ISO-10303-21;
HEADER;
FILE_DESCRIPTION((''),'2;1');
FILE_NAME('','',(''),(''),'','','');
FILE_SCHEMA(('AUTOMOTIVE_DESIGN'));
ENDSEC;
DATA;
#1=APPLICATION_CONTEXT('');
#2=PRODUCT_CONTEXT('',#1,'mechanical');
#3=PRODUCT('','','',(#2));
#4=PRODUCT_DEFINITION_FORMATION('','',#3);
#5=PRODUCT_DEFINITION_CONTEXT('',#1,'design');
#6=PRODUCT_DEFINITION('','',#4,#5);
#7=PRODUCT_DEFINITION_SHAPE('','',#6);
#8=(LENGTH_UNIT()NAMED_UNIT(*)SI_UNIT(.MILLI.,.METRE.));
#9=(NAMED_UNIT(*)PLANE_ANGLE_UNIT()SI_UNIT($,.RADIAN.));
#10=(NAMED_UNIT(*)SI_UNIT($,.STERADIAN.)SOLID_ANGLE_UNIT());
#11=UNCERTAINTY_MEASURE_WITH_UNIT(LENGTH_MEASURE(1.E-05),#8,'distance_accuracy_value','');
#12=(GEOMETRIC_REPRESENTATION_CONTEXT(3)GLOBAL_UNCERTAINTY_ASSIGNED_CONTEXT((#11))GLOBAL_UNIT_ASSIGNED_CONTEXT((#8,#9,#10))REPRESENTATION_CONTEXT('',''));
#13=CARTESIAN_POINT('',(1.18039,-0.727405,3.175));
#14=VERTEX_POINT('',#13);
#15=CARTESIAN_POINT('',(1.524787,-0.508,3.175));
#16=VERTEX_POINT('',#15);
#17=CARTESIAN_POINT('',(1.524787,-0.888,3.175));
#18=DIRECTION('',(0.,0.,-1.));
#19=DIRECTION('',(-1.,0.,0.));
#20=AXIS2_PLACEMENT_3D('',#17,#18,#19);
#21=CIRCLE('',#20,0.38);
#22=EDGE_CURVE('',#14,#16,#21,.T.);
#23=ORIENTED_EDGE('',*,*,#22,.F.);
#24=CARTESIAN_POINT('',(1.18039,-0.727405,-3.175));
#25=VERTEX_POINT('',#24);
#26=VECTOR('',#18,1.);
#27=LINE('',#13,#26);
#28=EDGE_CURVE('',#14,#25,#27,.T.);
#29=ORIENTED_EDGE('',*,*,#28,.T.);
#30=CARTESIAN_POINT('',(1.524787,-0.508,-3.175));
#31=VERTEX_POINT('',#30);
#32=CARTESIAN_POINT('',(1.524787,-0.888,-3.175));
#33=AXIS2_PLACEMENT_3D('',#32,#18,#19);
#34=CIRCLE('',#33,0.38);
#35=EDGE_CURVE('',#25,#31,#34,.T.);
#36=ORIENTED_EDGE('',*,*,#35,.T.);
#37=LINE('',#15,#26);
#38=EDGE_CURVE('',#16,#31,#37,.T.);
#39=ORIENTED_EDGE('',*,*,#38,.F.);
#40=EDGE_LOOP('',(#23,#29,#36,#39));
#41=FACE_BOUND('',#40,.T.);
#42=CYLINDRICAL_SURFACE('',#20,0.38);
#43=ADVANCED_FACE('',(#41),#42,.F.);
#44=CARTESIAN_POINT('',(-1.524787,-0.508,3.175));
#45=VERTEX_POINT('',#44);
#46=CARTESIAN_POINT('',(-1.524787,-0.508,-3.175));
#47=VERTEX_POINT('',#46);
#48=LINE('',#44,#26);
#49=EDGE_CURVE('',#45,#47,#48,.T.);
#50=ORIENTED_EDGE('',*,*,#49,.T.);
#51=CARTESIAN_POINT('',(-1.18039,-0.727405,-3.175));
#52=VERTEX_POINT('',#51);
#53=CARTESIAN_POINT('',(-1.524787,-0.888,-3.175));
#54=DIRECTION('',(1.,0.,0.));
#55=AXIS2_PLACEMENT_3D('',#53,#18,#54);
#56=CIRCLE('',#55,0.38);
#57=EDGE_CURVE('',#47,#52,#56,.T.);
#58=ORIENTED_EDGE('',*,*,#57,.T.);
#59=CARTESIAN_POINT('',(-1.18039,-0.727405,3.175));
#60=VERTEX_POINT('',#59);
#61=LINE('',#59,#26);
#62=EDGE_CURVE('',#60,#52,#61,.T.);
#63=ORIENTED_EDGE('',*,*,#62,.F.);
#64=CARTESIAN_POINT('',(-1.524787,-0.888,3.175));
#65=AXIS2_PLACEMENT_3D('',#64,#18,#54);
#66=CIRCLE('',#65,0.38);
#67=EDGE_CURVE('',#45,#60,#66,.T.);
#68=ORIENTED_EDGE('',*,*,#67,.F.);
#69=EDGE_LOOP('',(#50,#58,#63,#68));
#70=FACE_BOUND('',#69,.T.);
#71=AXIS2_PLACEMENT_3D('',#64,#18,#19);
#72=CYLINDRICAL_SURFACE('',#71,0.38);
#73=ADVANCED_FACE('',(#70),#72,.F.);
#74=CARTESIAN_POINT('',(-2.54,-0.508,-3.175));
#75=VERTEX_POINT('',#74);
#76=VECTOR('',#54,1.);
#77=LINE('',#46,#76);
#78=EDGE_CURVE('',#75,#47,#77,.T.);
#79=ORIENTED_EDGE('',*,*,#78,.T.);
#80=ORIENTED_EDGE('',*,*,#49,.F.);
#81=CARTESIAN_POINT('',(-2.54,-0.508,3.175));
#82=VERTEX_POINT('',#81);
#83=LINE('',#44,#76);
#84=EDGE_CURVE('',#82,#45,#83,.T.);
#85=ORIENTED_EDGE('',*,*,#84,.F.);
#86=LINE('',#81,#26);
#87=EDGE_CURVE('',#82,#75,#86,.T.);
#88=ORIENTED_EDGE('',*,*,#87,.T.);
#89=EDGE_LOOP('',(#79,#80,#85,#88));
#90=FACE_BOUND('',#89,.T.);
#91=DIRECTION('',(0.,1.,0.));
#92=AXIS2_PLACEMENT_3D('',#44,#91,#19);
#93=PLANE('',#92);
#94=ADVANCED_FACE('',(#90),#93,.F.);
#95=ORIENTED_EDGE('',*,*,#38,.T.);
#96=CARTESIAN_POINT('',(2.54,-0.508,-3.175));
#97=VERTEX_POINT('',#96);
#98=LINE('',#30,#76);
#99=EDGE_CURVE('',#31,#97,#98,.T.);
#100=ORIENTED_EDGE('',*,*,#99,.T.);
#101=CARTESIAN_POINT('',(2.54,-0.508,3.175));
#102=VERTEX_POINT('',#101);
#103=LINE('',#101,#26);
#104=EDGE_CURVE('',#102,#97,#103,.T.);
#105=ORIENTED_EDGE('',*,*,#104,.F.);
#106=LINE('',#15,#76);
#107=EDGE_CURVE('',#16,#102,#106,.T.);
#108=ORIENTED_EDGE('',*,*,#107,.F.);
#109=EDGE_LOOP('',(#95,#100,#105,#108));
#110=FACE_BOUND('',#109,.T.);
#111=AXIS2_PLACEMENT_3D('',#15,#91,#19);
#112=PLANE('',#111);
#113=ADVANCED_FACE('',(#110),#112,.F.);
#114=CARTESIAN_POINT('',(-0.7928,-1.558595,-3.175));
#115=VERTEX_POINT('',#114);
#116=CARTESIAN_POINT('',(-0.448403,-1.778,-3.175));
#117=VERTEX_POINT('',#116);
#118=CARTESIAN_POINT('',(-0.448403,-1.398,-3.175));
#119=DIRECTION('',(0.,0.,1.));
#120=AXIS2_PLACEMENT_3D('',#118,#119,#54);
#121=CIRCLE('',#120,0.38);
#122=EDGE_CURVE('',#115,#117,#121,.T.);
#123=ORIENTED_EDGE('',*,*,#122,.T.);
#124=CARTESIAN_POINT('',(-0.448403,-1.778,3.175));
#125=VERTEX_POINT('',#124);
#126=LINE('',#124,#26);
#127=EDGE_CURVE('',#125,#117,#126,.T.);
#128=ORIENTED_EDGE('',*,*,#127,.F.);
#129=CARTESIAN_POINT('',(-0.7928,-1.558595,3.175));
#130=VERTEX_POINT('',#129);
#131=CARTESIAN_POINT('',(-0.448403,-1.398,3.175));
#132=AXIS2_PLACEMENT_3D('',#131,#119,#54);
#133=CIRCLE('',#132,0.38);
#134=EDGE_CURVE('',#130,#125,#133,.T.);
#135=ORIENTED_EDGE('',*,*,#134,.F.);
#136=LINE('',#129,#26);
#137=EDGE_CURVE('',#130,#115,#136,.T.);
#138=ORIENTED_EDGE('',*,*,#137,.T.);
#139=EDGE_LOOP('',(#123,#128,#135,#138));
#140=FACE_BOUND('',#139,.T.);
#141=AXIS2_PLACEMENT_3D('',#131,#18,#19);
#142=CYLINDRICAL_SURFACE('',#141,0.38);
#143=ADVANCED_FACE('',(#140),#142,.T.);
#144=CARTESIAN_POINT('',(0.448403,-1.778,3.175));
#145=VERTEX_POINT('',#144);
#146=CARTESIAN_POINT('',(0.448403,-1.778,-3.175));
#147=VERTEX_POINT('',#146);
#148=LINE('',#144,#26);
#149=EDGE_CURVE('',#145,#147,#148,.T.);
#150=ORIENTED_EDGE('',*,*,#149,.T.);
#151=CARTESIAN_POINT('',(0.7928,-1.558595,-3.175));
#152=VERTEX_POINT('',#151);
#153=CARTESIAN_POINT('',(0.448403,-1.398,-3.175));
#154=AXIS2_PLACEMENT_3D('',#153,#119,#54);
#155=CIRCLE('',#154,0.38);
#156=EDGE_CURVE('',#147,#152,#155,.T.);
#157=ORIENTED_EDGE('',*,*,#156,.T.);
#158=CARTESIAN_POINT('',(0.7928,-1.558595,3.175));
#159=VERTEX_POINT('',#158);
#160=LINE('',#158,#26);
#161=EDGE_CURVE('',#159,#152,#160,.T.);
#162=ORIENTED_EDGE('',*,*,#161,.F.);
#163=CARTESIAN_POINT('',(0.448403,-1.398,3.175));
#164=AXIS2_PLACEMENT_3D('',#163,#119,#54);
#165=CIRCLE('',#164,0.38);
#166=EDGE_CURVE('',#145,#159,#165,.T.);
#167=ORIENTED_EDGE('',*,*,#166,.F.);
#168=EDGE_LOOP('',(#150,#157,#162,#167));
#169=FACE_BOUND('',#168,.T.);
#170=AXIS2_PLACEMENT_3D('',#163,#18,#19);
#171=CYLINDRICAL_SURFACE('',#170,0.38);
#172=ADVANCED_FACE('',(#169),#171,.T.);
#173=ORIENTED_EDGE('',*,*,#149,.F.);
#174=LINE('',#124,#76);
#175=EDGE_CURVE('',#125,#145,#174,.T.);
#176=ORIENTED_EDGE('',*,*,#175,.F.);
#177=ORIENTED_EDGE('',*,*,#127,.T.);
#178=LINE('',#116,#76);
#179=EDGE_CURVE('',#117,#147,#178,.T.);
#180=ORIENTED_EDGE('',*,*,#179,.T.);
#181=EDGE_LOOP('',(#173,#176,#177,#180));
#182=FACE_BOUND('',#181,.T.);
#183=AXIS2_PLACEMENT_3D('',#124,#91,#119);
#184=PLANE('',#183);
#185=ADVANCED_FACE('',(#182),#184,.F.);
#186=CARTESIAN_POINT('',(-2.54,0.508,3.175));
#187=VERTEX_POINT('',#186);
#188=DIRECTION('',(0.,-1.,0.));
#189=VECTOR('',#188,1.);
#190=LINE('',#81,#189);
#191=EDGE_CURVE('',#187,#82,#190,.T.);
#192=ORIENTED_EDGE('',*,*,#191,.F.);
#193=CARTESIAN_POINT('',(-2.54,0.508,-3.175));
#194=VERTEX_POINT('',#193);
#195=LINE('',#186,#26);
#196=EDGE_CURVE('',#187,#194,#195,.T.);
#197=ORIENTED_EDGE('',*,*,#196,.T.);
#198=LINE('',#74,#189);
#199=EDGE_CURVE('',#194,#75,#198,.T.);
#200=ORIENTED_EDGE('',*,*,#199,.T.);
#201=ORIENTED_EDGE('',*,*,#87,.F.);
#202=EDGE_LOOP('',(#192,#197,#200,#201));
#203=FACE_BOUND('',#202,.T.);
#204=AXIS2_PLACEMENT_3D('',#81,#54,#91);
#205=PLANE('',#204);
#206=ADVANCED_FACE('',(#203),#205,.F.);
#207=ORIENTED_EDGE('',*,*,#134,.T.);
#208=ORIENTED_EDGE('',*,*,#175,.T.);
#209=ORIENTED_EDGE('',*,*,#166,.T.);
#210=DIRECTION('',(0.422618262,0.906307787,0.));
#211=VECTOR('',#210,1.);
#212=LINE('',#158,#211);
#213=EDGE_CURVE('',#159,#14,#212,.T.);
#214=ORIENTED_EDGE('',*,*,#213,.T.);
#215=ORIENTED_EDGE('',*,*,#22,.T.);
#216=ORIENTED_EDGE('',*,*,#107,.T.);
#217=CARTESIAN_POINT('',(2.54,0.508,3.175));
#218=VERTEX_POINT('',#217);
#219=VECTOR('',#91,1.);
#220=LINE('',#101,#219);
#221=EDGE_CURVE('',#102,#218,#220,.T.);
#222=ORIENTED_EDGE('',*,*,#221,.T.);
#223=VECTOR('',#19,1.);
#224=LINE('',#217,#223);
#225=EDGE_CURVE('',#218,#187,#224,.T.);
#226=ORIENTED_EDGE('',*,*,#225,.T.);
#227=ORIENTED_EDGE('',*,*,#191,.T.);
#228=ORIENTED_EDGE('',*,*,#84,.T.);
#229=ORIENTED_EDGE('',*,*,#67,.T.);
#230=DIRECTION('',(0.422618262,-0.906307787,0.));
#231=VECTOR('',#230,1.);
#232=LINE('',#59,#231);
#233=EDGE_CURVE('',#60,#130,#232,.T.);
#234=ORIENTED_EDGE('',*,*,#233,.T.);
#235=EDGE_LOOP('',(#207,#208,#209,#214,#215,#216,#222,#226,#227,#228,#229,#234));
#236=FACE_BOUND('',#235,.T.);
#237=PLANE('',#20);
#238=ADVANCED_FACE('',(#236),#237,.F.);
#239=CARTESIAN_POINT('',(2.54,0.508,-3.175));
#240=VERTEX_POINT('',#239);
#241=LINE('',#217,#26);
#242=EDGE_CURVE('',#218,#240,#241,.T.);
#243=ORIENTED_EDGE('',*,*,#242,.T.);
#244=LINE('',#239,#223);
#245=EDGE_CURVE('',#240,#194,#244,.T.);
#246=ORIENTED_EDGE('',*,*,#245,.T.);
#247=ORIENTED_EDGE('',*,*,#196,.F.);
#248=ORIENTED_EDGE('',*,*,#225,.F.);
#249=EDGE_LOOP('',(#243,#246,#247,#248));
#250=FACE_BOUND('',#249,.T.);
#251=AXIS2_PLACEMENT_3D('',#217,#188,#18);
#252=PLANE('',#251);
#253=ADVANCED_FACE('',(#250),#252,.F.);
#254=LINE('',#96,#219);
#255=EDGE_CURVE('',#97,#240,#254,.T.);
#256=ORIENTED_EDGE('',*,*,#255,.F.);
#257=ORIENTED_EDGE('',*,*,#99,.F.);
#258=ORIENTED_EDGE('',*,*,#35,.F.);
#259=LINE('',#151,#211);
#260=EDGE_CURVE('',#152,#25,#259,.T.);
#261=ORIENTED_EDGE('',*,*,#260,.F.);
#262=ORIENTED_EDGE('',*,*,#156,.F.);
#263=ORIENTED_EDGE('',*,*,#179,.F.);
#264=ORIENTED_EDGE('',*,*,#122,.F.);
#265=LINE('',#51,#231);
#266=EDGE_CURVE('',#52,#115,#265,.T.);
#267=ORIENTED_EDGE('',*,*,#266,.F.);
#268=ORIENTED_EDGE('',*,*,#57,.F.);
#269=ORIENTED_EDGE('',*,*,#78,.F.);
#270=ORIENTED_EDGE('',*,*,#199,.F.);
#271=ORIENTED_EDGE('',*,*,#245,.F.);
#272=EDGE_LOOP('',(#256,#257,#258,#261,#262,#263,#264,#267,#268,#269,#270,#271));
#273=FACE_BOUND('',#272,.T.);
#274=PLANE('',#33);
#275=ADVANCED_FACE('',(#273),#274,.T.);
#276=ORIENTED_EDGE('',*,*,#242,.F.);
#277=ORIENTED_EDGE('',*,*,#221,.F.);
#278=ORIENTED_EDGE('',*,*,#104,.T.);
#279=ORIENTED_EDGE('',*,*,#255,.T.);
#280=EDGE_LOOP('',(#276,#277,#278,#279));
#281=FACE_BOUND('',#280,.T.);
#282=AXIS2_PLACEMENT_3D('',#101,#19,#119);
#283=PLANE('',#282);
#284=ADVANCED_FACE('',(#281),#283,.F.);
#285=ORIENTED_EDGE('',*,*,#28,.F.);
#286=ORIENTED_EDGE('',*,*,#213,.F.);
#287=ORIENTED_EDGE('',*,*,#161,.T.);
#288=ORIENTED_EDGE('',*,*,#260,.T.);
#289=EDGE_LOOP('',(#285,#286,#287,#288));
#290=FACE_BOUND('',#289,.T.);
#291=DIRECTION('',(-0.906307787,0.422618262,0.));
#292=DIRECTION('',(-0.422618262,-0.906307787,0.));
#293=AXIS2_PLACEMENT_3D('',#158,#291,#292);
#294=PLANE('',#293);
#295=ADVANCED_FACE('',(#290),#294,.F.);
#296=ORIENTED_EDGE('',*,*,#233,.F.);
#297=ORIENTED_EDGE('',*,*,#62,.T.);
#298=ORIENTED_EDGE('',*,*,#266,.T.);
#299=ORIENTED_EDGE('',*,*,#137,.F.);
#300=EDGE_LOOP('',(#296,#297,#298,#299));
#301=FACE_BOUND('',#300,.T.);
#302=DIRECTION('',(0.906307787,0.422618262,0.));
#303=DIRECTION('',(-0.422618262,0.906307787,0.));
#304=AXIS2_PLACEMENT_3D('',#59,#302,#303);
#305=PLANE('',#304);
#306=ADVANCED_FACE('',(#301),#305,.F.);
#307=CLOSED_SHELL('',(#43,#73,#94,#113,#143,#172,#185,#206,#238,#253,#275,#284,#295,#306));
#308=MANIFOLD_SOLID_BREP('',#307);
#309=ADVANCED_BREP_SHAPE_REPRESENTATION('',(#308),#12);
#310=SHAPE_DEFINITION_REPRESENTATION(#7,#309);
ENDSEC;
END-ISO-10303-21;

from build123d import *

# Parameters (mm, degrees)
BOSS_EXTRUDE1_DEPTH = 3.175


with BuildPart() as part:
    # Sketch1 → Boss-Extrude1 (new, symmetric)
    with BuildSketch(Plane.XY):
        with BuildLine():
            Line((2.54, -0.508), (2.54, 0.508))
            Line((2.54, 0.508), (-2.54, 0.508))
            Line((-2.54, 0.508), (-2.54, -0.508))
            Line((-2.54, -0.508), (-1.524786699, -0.508))
            ThreePointArc((-1.524786699, -0.508), (-1.320612848, -0.567511251), (-1.18038974, -0.727405061))
            Line((-1.18038974, -0.727405061), (-0.792799534, -1.558594939))
            ThreePointArc((-0.792799534, -1.558594939), (-0.652576426, -1.718488749), (-0.448402575, -1.778))
            Line((-0.448402575, -1.778), (0.448402575, -1.778))
            ThreePointArc((0.448402575, -1.778), (0.652576426, -1.718488749), (0.792799534, -1.558594939))
            Line((0.792799534, -1.558594939), (1.18038974, -0.727405061))
            ThreePointArc((1.18038974, -0.727405061), (1.320612848, -0.567511251), (1.524786699, -0.508))
            Line((1.524786699, -0.508), (2.54, -0.508))
        make_face()
    extrude(amount=BOSS_EXTRUDE1_DEPTH, both=True)


solid = part.part
